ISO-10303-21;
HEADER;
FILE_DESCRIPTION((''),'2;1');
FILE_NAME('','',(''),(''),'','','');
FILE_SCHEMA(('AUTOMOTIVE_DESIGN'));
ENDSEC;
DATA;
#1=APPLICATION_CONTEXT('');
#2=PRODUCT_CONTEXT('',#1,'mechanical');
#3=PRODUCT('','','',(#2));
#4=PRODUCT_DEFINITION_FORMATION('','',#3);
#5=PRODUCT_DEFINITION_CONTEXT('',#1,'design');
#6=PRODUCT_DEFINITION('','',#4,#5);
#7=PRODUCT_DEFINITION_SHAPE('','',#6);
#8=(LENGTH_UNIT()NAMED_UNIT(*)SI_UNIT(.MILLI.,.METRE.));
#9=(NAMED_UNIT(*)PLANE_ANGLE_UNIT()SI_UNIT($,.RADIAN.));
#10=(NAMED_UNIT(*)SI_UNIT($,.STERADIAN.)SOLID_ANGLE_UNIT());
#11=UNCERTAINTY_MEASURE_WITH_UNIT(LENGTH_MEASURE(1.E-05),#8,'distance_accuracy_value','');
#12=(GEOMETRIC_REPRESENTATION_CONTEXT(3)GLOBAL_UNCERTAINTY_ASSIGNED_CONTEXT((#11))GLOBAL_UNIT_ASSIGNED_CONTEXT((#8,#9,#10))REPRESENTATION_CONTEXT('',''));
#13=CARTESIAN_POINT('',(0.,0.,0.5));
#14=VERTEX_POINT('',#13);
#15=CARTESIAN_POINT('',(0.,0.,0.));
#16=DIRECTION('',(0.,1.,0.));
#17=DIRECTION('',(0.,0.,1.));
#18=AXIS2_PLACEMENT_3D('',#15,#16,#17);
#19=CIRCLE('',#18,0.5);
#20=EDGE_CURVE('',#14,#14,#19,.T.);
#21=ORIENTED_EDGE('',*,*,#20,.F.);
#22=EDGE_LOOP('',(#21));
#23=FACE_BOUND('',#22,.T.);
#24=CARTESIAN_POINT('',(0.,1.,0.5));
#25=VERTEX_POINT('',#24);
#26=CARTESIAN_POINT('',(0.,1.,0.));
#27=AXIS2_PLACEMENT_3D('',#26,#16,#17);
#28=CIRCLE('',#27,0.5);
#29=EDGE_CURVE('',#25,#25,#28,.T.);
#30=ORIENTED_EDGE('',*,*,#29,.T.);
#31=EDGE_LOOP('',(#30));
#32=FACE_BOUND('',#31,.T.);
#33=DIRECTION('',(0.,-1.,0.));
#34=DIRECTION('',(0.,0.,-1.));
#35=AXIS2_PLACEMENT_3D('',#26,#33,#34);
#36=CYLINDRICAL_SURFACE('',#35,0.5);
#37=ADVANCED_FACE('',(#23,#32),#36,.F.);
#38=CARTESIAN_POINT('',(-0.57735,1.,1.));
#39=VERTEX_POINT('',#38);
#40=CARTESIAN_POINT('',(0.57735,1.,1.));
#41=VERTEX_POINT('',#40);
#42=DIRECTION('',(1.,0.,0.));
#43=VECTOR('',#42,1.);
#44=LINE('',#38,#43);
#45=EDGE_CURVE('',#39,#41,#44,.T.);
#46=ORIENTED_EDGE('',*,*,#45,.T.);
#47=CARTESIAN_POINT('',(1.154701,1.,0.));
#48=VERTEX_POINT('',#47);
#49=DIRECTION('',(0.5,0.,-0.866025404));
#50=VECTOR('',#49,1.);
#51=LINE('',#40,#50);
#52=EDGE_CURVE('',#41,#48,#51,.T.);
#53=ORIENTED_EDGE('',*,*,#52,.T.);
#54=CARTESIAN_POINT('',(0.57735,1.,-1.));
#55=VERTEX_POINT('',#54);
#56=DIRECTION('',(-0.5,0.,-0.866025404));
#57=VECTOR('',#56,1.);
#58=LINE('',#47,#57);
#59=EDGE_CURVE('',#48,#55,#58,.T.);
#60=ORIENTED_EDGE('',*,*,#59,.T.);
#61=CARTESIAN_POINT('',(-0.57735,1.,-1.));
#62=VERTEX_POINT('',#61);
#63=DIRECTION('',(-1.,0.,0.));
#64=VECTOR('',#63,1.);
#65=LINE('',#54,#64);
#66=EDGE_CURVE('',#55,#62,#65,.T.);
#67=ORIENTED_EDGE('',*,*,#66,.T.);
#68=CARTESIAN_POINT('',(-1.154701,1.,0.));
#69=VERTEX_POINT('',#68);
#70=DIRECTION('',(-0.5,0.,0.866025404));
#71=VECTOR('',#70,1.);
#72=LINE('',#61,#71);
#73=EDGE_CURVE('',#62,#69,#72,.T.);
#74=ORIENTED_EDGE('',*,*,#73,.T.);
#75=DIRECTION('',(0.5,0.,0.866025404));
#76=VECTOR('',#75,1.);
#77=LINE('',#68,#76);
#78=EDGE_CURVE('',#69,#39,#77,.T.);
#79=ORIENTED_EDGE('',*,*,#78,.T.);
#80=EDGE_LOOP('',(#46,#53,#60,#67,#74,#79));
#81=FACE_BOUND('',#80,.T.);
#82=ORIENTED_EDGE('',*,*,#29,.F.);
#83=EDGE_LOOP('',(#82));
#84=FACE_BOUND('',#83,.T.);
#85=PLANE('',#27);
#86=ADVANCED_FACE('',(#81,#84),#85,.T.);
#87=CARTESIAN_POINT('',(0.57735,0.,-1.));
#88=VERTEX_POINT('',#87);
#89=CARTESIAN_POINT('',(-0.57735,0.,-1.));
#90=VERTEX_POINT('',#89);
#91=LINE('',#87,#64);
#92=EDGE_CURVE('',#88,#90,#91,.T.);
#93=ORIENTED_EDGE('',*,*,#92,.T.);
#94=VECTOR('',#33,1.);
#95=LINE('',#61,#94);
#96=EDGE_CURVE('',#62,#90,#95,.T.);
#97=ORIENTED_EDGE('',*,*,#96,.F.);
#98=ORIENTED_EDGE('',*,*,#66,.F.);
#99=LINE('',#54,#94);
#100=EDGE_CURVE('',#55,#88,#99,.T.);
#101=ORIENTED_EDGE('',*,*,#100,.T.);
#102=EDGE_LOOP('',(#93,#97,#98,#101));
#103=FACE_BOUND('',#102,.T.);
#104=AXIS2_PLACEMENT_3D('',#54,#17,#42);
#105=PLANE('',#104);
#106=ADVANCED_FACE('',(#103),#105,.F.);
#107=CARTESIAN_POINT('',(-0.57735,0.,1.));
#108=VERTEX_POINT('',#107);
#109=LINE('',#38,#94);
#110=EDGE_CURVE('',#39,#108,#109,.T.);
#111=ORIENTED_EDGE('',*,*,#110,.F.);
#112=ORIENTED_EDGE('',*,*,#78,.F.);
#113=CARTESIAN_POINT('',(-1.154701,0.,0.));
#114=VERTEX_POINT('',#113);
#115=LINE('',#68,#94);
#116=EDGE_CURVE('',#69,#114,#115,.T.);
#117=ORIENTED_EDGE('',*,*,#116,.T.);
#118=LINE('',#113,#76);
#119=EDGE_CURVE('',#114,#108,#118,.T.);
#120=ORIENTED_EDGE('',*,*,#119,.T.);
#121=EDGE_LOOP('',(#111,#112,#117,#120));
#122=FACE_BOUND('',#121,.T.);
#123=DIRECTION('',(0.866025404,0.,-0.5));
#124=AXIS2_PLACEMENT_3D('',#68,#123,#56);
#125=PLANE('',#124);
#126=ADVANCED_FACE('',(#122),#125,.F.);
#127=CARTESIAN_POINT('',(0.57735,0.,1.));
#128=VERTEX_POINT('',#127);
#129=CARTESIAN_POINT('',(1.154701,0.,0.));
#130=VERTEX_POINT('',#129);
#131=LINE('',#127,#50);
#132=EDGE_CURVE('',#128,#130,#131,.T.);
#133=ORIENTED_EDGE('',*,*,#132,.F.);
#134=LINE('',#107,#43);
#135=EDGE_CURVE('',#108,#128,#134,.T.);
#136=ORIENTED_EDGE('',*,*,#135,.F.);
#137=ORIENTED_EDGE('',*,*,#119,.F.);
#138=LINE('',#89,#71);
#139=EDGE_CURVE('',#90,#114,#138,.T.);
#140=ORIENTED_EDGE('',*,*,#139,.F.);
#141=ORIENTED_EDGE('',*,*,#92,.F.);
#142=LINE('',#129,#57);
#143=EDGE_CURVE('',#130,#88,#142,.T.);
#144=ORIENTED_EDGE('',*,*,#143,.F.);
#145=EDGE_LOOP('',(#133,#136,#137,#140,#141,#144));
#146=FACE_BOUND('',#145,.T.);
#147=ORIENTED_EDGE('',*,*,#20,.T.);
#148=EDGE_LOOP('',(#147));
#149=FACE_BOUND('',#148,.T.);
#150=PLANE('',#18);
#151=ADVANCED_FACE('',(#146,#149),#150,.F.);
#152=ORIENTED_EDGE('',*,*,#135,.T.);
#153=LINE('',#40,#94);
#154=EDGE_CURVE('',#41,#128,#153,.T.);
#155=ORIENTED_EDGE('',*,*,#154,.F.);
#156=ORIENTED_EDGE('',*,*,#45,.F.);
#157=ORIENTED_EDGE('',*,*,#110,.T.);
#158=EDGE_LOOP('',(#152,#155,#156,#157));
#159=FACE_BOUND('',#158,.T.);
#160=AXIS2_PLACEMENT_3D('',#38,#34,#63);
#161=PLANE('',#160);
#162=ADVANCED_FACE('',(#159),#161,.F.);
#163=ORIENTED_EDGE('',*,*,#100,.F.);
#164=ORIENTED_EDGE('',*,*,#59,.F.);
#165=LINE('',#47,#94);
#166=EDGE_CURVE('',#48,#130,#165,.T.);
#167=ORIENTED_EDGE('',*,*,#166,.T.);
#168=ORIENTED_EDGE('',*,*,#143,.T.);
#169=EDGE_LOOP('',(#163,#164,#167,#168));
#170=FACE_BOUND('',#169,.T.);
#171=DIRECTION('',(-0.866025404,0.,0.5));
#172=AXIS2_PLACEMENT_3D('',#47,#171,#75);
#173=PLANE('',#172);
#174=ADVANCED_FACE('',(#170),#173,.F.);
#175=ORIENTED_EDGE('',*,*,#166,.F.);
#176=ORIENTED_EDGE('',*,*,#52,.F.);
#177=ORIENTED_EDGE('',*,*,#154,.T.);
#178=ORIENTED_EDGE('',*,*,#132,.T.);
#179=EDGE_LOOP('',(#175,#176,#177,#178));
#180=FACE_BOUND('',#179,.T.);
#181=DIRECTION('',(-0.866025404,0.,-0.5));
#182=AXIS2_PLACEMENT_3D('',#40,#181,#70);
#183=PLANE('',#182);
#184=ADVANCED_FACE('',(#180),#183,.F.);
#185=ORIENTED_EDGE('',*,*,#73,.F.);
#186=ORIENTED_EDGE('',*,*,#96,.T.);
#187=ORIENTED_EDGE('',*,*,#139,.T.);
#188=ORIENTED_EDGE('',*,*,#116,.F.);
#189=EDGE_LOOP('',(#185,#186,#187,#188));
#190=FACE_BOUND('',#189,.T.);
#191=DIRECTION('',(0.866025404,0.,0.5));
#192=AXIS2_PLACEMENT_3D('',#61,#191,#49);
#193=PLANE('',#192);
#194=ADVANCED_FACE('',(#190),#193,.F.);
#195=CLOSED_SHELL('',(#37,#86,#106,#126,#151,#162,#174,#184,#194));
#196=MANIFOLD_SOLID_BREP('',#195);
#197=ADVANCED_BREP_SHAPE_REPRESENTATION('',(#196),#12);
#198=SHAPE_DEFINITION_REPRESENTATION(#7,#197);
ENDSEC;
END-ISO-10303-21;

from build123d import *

# Parameters (mm, degrees)
SKETCH_1_R      = 0.5
EXTRUDE_1_DEPTH = 1


with BuildPart() as part:
    # 草图1 → 凸台-拉伸1 (new body)
    with BuildSketch(Plane(origin=(0, 0, 0), x_dir=(1, 0, 0), z_dir=(0, 1, 0))):
        Polygon((1.154700538, 0), (0.577350269, 1), (-0.577350269, 1), (-1.154700538, 0), (-0.577350269, -1), (0.577350269, -1), align=None)
        with Locations(Location((0, 0, 0), (0, 0, 270))):
            Circle(SKETCH_1_R, mode=Mode.SUBTRACT)
    extrude(amount=EXTRUDE_1_DEPTH)


solid = part.part
